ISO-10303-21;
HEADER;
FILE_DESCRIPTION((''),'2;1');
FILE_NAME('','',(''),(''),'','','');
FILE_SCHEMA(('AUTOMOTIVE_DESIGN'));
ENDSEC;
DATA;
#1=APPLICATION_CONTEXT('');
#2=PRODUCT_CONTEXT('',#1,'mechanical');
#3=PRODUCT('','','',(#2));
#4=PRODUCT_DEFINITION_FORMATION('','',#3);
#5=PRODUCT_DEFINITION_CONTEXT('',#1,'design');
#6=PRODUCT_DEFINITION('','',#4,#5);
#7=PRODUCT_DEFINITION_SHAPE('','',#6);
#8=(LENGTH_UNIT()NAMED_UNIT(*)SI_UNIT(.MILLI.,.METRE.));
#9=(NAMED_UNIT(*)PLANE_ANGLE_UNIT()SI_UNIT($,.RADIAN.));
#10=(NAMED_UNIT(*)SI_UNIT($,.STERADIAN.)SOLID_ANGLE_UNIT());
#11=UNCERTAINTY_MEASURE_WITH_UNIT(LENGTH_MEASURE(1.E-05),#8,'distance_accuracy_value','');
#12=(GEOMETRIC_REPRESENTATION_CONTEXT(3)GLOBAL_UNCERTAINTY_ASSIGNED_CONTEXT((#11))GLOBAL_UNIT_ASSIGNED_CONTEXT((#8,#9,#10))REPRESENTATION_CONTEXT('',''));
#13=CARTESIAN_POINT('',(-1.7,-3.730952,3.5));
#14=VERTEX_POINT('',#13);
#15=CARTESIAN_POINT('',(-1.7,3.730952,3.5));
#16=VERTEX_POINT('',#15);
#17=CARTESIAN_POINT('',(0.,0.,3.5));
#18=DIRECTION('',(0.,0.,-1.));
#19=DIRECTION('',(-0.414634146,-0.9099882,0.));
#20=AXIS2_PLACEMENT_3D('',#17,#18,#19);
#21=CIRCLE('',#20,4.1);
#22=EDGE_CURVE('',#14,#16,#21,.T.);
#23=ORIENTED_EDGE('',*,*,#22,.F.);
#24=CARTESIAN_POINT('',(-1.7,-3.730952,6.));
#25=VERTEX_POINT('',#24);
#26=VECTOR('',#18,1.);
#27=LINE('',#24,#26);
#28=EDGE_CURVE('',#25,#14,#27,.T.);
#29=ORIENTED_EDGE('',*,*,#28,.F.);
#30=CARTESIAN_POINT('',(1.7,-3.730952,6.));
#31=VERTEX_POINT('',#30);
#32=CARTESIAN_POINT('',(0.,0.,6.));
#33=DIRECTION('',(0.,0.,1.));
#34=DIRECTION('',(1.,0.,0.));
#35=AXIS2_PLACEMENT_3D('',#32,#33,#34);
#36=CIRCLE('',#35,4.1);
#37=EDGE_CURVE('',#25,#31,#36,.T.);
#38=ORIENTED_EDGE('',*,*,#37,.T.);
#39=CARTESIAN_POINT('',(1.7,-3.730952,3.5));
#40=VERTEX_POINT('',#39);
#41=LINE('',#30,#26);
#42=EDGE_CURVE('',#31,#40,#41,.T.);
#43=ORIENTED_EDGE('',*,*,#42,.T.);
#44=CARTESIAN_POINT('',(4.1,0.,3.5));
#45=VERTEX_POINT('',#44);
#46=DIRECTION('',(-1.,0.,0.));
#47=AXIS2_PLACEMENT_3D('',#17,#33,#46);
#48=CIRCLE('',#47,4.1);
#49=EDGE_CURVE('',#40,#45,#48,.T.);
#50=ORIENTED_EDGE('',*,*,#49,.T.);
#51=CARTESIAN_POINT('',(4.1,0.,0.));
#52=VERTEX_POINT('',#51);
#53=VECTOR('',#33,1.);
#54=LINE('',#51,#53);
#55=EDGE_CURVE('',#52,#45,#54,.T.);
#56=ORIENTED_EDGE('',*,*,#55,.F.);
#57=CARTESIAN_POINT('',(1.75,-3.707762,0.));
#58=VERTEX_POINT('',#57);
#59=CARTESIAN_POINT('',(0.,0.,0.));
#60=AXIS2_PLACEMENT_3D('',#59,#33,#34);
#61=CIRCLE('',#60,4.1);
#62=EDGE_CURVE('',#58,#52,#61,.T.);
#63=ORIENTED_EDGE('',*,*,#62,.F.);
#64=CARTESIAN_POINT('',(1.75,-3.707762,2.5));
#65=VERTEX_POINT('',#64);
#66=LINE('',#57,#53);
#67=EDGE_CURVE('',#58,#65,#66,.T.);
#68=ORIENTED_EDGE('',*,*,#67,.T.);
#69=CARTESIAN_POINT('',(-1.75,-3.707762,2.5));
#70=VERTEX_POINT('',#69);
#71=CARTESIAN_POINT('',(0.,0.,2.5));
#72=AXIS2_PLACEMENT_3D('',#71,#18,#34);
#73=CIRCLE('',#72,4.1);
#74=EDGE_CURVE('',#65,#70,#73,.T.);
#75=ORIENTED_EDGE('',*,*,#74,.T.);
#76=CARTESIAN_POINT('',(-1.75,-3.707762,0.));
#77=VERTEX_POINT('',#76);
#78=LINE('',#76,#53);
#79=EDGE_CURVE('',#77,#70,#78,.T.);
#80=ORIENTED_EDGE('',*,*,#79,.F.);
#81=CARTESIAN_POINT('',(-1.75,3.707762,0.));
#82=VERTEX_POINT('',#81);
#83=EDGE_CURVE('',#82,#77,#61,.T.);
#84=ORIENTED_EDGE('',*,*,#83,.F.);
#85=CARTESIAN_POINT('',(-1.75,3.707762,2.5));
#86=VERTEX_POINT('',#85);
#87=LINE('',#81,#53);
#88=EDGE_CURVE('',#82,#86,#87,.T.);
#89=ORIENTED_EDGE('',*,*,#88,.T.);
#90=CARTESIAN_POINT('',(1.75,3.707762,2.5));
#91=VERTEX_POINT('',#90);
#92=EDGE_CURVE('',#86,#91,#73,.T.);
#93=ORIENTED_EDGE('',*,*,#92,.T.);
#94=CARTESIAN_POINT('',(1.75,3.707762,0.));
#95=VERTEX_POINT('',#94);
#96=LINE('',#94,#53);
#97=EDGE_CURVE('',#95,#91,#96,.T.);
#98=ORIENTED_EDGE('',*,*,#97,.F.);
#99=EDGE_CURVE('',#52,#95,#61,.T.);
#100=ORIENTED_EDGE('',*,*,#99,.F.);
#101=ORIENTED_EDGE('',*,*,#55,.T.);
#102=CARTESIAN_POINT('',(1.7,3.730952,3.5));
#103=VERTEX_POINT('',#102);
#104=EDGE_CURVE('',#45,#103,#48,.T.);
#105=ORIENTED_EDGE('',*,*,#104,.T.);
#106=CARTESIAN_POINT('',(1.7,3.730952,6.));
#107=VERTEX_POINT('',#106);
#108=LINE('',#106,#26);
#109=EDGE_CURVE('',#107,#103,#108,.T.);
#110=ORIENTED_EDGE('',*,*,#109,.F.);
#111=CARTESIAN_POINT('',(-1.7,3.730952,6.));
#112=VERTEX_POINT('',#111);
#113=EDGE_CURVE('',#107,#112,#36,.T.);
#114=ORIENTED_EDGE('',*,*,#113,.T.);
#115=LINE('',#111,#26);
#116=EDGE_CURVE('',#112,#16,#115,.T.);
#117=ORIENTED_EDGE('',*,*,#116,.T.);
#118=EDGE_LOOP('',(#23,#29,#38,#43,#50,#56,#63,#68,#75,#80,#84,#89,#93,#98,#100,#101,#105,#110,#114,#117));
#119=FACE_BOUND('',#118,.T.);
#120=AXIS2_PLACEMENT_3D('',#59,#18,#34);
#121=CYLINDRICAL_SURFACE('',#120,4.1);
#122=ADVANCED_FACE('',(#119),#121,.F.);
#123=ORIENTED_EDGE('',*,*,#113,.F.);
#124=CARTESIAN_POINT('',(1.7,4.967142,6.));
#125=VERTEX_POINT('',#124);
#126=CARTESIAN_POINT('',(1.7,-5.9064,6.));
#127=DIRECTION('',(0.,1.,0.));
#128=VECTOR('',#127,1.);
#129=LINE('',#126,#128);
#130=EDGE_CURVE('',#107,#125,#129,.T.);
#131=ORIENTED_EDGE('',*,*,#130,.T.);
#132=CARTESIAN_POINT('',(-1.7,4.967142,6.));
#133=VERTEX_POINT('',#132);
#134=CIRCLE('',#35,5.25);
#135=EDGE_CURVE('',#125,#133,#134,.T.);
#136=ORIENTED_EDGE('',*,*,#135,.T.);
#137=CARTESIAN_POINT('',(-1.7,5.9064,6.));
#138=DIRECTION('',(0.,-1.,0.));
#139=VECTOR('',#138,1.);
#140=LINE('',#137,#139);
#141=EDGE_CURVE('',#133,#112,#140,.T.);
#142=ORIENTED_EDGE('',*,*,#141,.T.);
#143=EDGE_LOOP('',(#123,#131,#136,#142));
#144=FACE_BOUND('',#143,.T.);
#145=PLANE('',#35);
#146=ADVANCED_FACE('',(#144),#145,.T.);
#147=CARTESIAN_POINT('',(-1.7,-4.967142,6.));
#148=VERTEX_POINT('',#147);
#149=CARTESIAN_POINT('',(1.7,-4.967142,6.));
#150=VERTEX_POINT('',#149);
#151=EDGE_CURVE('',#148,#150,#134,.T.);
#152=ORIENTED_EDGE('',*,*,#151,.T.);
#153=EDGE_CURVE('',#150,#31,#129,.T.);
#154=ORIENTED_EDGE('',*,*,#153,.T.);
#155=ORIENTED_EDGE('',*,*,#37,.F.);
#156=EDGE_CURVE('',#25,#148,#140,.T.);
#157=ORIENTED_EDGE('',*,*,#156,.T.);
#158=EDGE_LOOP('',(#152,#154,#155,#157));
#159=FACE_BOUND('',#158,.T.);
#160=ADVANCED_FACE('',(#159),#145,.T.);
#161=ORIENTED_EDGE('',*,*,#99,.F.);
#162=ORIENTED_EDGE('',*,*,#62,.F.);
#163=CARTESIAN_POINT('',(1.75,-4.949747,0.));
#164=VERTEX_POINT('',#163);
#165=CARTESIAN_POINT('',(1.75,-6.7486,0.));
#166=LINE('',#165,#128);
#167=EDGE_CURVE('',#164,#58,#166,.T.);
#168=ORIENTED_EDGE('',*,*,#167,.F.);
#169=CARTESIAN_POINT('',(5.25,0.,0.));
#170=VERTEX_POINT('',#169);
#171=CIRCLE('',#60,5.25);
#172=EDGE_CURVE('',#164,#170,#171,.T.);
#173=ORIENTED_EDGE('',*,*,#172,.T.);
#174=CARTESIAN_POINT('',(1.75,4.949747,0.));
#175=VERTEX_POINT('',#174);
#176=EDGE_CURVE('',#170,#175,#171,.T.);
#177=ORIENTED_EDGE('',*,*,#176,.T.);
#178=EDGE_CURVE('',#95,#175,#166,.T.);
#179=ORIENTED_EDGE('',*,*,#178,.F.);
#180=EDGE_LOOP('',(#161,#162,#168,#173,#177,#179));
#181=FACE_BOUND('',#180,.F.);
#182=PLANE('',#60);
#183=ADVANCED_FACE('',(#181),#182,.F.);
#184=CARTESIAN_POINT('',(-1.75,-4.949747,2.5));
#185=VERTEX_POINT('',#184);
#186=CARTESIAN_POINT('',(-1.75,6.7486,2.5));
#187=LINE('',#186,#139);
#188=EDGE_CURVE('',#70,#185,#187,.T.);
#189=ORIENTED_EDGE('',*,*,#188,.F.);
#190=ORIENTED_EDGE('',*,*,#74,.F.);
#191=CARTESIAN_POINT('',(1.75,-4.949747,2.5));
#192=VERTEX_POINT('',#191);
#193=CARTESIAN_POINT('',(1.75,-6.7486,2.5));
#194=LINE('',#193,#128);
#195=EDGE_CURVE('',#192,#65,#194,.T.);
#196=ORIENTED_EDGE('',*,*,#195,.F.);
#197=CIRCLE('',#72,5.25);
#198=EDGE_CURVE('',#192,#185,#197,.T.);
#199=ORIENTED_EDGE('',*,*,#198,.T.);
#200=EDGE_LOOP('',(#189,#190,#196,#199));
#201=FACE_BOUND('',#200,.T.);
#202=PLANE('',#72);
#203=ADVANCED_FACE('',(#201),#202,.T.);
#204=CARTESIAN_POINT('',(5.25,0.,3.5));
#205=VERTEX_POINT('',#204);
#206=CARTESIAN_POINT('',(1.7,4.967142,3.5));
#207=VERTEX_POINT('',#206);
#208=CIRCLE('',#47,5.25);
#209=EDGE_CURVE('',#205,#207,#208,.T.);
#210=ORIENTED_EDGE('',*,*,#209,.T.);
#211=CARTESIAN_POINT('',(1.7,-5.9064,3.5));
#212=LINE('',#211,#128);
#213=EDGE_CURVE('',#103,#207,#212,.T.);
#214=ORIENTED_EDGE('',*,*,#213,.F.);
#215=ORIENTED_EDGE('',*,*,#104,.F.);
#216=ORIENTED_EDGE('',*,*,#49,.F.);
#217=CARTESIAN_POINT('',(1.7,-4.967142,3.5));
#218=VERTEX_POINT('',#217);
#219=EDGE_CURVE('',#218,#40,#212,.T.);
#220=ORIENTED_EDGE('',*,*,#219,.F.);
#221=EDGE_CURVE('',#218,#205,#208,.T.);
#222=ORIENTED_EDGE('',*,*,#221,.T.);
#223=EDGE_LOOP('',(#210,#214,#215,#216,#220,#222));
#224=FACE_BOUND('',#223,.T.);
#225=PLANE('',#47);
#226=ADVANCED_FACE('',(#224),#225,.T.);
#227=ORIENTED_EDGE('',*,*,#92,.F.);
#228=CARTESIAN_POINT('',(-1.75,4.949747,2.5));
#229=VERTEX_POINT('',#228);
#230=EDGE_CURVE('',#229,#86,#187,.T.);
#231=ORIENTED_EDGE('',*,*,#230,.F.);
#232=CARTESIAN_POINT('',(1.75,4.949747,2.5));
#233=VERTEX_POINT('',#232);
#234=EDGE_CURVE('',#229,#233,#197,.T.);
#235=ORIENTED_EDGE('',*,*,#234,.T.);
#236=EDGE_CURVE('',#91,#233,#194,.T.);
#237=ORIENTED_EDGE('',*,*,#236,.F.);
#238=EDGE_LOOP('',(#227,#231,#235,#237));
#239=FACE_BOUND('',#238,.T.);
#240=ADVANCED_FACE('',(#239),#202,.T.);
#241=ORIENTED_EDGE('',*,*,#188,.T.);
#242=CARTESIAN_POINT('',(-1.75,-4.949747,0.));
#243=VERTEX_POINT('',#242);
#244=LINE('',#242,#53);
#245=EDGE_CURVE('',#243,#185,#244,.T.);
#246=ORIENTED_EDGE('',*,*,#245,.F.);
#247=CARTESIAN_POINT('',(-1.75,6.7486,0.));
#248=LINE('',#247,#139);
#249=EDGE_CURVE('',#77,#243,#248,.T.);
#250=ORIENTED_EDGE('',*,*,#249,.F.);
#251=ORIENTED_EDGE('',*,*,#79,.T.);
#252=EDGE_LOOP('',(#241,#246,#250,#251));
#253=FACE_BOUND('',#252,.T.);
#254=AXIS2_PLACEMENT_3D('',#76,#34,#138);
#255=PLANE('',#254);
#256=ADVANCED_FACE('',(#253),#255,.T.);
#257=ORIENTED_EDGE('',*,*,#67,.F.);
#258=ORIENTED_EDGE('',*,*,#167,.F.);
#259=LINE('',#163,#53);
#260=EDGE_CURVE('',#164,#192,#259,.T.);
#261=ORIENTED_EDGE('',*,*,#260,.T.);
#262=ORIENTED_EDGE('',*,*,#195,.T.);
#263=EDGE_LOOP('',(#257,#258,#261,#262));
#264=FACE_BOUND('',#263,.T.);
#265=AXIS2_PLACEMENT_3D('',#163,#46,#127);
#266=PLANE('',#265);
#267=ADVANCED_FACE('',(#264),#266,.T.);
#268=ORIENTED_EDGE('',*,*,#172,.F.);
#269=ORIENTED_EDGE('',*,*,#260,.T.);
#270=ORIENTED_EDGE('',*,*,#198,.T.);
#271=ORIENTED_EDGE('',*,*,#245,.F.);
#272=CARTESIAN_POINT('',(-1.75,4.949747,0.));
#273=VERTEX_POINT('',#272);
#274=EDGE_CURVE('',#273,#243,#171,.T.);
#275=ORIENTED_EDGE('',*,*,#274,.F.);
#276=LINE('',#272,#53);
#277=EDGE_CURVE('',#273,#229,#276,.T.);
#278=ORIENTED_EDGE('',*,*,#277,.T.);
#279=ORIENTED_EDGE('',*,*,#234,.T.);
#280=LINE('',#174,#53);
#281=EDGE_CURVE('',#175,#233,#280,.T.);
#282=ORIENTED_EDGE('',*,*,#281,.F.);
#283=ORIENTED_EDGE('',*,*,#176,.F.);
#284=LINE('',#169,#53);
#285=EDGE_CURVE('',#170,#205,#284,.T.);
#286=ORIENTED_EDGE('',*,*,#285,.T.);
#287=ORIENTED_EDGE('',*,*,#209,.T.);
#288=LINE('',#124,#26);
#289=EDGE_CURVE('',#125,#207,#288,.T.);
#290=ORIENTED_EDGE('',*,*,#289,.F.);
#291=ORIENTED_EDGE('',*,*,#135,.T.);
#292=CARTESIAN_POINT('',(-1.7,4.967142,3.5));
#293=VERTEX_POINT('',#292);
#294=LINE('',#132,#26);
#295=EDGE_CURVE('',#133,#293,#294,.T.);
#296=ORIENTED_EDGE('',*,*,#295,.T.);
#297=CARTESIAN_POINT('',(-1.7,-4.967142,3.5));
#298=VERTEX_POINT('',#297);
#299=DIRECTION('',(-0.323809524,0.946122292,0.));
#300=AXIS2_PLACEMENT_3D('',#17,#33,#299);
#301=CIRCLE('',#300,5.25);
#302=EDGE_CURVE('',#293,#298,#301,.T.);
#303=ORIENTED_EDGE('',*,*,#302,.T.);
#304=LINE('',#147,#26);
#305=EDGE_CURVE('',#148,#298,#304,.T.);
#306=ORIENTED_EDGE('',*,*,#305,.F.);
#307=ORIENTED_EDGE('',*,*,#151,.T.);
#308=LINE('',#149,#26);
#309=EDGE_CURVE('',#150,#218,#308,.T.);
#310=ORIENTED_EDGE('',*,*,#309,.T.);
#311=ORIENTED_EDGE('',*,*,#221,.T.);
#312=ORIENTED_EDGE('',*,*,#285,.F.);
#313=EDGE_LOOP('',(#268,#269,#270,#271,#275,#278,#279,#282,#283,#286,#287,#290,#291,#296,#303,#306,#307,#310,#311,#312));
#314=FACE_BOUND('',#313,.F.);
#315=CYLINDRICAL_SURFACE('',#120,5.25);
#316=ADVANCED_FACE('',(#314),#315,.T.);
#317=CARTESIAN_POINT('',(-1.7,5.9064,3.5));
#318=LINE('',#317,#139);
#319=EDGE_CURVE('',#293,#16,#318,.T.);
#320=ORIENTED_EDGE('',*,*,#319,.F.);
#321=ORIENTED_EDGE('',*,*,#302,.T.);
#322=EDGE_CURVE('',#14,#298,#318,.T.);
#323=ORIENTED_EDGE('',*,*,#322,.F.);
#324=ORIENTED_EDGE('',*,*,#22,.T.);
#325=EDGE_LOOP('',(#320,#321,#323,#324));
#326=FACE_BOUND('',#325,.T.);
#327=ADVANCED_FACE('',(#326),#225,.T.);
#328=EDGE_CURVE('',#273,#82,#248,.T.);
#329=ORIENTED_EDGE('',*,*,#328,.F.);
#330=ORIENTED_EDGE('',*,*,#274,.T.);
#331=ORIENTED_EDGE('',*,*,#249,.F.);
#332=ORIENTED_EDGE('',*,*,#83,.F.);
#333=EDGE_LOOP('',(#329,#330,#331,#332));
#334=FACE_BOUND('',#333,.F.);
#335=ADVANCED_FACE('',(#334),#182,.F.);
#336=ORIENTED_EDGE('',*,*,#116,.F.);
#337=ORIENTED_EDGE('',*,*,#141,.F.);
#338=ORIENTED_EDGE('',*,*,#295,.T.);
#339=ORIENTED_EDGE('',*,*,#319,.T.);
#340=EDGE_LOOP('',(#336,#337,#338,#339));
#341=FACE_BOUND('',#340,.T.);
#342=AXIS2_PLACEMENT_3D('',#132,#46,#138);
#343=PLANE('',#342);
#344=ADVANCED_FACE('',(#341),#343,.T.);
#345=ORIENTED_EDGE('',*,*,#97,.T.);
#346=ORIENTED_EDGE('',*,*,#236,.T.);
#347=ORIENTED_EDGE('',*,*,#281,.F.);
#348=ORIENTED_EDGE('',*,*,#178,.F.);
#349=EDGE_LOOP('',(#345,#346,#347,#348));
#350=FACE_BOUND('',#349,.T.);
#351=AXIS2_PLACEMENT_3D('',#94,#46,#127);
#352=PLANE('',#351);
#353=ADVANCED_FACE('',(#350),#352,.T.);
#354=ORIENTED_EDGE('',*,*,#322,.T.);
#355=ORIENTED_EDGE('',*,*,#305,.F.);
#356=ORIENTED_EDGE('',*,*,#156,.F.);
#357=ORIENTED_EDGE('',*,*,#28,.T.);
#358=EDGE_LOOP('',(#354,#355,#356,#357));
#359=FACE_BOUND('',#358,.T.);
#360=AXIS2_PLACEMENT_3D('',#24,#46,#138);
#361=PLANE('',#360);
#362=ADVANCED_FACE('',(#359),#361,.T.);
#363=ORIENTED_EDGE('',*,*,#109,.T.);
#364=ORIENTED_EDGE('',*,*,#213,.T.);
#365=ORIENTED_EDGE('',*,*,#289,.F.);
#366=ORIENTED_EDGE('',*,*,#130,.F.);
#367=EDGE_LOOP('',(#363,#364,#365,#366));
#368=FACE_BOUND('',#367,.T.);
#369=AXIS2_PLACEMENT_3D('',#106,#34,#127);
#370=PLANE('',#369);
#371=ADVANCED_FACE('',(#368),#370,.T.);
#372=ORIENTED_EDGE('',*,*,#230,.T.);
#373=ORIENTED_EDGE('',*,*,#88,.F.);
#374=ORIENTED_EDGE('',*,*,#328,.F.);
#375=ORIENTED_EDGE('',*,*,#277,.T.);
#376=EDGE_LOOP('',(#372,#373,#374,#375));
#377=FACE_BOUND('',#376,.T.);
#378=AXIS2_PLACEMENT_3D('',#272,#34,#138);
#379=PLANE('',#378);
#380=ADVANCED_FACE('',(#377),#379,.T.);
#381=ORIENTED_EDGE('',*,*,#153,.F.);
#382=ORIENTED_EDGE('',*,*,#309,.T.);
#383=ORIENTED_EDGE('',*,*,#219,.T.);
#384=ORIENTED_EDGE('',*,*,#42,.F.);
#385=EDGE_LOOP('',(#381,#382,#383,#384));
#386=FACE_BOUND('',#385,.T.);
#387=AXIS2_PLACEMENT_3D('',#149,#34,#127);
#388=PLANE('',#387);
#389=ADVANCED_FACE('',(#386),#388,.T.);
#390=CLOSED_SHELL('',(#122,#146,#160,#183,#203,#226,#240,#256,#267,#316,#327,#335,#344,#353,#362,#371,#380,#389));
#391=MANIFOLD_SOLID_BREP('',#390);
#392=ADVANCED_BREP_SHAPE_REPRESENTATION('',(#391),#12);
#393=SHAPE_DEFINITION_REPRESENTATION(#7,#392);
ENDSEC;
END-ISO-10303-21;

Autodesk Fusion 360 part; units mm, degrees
sketch "Sketch1" plane through (0, 0, 0) normal (0, 0, 1) x (1, 0, 0)
  circle A0 centre (0, 0) radius 5.25
  circle A1 centre (0, 0) radius 4.1
  dimension "d1" = 10.5
  dimension "d2" = 8.2
extrude "Extrude1" add sketch "Sketch1" along normal blind 6
sketch "Sketch2" plane through (0, 0, 0) normal (0, 0, -1) x (1, 0, 0)
  circle A0 centre (0, 0) radius 4.1
  circle A1 centre (0, 0) radius 5.25
  line L0 (-1.75, 6.7486) -> (1.75, 6.7486)
  line L1 (1.75, 6.7486) -> (1.75, -6.7486)
  line L2 (1.75, -6.7486) -> (-1.75, -6.7486)
  line L3 (-1.75, -6.7486) -> (-1.75, 6.7486)
  line L4 (-1.75, 6.7486) -> (1.75, -6.7486) construction
  line L5 (1.75, 6.7486) -> (-1.75, -6.7486) construction
  dimension "d5" = 3.5
extrude "Extrude2" cut sketch "Sketch2" against normal blind 2.5 contours A0 A1 L1 L3 | A0 A1 L1 L3
sketch "Sketch3" plane through (0, 0, 6) normal (0, 0, 1) x (-1, 0, 0)
  circle A0 centre (0, 0) radius 4.1
  circle A1 centre (0, 0) radius 5.25
  line L0 (-1.7, -5.9064) -> (1.7, -5.9064)
  line L1 (1.7, -5.9064) -> (1.7, 5.9064)
  line L2 (1.7, 5.9064) -> (-1.7, 5.9064)
  line L3 (-1.7, 5.9064) -> (-1.7, -5.9064)
  line L4 (-1.7, -5.9064) -> (1.7, 5.9064) construction
  line L5 (1.7, -5.9064) -> (-1.7, 5.9064) construction
  dimension "d8" = 3.4
extrude "Extrude3" cut sketch "Sketch3" against normal blind 2.5 contours A0 A1 L1 | A0 A1 L3
